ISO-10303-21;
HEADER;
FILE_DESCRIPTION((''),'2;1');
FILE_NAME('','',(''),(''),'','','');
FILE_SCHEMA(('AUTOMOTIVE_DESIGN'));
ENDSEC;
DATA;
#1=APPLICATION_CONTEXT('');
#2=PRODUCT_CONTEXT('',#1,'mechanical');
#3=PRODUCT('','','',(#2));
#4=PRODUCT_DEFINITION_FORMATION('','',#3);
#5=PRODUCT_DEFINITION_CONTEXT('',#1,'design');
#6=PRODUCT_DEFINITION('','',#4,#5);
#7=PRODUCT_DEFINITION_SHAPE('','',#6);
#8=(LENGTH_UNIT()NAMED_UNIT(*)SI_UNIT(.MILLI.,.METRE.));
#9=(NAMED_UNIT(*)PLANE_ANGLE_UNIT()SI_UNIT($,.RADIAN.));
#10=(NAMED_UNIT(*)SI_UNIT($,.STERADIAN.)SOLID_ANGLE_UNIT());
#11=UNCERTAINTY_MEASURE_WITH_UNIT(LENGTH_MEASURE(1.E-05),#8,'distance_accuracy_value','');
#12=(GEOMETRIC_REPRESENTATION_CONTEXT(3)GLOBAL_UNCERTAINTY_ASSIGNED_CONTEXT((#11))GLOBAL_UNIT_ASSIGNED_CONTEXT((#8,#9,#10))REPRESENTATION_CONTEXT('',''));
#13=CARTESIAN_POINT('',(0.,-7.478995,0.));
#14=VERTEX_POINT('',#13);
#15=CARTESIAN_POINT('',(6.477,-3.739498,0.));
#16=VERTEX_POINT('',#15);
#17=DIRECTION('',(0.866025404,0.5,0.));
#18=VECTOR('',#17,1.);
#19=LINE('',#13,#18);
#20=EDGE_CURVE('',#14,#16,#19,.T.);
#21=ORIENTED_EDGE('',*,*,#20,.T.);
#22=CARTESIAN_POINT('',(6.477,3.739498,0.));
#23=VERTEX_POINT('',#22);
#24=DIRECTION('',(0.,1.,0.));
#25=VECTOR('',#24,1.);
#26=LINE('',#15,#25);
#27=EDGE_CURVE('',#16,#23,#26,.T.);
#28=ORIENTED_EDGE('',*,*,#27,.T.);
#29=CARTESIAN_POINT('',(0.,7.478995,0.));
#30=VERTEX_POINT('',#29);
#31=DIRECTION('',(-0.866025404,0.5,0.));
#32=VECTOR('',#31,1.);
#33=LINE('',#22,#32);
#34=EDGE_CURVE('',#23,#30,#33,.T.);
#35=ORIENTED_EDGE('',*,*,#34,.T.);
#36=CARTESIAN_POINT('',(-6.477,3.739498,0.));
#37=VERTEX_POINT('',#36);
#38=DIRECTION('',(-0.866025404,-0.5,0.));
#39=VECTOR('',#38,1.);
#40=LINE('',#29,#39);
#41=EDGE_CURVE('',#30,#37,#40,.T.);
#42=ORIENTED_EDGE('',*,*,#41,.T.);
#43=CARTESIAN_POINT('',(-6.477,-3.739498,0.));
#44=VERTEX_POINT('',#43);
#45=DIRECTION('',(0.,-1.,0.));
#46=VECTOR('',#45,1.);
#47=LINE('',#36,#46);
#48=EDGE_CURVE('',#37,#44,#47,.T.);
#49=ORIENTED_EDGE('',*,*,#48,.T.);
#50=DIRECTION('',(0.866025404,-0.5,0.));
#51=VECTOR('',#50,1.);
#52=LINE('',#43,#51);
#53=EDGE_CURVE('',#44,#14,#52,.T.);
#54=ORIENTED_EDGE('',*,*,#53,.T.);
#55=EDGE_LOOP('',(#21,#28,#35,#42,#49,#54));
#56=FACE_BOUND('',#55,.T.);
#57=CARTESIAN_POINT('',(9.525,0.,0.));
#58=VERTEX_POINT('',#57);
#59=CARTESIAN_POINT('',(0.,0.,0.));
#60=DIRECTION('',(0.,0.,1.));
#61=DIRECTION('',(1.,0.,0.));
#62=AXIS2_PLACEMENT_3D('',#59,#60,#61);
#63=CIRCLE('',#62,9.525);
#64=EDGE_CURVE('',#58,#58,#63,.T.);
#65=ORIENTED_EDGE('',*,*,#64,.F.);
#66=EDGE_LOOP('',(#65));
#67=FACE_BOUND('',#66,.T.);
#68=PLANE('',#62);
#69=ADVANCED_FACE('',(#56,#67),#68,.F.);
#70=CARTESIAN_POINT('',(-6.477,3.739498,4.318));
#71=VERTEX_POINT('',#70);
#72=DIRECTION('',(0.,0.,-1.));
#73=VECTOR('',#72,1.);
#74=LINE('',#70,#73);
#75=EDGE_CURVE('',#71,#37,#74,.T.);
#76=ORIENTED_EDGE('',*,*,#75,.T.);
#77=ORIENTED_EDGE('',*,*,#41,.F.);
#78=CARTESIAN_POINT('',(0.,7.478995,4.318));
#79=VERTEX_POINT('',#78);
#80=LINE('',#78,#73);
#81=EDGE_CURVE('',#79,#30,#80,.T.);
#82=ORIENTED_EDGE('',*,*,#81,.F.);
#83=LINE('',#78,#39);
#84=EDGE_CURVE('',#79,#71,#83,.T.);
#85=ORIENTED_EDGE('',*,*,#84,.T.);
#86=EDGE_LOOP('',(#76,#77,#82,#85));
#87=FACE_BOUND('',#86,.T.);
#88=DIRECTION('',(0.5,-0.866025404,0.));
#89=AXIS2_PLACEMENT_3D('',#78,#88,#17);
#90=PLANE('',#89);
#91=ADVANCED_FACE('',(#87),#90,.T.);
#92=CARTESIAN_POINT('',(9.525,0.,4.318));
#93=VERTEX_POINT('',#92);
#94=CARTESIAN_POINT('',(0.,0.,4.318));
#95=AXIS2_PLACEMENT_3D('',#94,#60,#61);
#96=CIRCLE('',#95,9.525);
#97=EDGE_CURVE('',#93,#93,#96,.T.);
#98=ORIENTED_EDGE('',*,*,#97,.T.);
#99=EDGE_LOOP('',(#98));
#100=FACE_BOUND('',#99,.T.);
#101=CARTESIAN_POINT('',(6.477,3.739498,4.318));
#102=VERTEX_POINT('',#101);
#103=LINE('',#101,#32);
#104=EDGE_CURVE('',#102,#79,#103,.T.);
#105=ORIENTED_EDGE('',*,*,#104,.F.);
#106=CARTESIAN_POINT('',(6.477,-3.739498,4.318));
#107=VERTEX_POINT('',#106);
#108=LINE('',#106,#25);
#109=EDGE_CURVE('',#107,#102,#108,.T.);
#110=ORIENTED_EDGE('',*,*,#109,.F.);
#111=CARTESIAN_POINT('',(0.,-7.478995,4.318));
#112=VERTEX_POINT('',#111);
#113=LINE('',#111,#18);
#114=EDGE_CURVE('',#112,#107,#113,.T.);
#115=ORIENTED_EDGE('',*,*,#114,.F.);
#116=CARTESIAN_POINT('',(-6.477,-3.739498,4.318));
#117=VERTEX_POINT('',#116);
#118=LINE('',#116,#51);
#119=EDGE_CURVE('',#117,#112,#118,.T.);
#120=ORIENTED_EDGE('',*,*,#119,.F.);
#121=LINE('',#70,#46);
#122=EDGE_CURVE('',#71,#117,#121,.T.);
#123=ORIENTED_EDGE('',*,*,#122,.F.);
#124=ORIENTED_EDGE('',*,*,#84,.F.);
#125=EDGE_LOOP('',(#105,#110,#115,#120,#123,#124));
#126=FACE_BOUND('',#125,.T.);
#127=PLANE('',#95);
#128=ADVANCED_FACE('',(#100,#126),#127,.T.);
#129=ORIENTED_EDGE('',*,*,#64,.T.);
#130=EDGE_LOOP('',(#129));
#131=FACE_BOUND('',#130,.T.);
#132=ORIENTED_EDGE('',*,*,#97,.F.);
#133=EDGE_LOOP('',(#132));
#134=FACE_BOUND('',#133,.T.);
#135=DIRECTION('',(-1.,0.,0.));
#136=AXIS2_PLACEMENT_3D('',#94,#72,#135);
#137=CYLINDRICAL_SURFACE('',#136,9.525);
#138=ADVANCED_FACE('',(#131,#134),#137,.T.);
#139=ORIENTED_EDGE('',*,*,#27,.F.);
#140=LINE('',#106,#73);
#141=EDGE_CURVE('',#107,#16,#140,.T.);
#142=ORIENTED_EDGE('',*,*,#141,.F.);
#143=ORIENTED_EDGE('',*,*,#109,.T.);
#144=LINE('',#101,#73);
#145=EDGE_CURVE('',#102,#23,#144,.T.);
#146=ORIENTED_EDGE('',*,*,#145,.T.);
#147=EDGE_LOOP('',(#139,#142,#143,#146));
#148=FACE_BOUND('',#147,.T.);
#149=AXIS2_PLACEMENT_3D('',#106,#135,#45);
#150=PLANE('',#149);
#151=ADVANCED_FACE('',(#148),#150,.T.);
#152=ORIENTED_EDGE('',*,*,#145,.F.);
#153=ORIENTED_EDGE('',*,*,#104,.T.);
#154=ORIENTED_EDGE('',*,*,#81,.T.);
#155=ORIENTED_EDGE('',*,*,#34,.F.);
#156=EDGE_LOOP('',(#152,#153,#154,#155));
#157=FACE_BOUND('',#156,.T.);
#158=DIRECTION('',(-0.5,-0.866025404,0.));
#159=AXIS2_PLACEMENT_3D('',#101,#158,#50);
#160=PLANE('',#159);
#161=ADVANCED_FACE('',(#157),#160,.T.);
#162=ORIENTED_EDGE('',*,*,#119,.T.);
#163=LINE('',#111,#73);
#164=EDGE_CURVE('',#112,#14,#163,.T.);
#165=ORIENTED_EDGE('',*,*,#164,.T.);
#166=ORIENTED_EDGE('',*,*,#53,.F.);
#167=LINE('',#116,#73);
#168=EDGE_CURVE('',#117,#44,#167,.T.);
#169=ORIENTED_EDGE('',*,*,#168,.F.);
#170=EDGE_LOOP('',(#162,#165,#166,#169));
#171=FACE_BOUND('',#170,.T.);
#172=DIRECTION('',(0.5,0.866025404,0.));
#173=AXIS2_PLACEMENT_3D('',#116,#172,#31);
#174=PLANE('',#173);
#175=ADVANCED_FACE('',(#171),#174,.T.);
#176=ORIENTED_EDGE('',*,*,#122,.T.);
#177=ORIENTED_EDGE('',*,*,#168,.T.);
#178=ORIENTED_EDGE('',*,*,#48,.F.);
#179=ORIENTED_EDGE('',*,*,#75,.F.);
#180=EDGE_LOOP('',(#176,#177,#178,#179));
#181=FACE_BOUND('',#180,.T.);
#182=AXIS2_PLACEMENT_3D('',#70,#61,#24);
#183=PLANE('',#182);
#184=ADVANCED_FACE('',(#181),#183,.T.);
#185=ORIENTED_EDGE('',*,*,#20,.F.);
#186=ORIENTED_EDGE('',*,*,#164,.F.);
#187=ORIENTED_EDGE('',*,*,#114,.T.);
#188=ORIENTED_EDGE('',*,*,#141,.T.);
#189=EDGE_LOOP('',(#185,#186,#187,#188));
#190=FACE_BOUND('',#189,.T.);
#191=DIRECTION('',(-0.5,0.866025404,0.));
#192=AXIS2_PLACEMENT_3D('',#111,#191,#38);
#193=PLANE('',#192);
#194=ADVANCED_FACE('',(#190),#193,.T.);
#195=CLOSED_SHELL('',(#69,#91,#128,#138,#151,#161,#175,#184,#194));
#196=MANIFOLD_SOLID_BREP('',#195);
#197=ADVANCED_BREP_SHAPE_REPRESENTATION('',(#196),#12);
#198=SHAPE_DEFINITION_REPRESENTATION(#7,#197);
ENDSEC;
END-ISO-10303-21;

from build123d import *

# Parameters (mm, degrees)
SKETCH1_R           = 9.525
BOSS_EXTRUDE1_DEPTH = 4.318


with BuildPart() as part:
    # Sketch1 → Boss-Extrude1 (new body)
    with BuildSketch(Plane.XY):
        Circle(SKETCH1_R)
        Polygon((0, 7.478995387), (-6.477, 3.739497694), (-6.477, -3.739497694), (0, -7.478995387), (6.477, -3.739497694), (6.477, 3.739497694), align=None, mode=Mode.SUBTRACT)
    extrude(amount=BOSS_EXTRUDE1_DEPTH)


solid = part.part
